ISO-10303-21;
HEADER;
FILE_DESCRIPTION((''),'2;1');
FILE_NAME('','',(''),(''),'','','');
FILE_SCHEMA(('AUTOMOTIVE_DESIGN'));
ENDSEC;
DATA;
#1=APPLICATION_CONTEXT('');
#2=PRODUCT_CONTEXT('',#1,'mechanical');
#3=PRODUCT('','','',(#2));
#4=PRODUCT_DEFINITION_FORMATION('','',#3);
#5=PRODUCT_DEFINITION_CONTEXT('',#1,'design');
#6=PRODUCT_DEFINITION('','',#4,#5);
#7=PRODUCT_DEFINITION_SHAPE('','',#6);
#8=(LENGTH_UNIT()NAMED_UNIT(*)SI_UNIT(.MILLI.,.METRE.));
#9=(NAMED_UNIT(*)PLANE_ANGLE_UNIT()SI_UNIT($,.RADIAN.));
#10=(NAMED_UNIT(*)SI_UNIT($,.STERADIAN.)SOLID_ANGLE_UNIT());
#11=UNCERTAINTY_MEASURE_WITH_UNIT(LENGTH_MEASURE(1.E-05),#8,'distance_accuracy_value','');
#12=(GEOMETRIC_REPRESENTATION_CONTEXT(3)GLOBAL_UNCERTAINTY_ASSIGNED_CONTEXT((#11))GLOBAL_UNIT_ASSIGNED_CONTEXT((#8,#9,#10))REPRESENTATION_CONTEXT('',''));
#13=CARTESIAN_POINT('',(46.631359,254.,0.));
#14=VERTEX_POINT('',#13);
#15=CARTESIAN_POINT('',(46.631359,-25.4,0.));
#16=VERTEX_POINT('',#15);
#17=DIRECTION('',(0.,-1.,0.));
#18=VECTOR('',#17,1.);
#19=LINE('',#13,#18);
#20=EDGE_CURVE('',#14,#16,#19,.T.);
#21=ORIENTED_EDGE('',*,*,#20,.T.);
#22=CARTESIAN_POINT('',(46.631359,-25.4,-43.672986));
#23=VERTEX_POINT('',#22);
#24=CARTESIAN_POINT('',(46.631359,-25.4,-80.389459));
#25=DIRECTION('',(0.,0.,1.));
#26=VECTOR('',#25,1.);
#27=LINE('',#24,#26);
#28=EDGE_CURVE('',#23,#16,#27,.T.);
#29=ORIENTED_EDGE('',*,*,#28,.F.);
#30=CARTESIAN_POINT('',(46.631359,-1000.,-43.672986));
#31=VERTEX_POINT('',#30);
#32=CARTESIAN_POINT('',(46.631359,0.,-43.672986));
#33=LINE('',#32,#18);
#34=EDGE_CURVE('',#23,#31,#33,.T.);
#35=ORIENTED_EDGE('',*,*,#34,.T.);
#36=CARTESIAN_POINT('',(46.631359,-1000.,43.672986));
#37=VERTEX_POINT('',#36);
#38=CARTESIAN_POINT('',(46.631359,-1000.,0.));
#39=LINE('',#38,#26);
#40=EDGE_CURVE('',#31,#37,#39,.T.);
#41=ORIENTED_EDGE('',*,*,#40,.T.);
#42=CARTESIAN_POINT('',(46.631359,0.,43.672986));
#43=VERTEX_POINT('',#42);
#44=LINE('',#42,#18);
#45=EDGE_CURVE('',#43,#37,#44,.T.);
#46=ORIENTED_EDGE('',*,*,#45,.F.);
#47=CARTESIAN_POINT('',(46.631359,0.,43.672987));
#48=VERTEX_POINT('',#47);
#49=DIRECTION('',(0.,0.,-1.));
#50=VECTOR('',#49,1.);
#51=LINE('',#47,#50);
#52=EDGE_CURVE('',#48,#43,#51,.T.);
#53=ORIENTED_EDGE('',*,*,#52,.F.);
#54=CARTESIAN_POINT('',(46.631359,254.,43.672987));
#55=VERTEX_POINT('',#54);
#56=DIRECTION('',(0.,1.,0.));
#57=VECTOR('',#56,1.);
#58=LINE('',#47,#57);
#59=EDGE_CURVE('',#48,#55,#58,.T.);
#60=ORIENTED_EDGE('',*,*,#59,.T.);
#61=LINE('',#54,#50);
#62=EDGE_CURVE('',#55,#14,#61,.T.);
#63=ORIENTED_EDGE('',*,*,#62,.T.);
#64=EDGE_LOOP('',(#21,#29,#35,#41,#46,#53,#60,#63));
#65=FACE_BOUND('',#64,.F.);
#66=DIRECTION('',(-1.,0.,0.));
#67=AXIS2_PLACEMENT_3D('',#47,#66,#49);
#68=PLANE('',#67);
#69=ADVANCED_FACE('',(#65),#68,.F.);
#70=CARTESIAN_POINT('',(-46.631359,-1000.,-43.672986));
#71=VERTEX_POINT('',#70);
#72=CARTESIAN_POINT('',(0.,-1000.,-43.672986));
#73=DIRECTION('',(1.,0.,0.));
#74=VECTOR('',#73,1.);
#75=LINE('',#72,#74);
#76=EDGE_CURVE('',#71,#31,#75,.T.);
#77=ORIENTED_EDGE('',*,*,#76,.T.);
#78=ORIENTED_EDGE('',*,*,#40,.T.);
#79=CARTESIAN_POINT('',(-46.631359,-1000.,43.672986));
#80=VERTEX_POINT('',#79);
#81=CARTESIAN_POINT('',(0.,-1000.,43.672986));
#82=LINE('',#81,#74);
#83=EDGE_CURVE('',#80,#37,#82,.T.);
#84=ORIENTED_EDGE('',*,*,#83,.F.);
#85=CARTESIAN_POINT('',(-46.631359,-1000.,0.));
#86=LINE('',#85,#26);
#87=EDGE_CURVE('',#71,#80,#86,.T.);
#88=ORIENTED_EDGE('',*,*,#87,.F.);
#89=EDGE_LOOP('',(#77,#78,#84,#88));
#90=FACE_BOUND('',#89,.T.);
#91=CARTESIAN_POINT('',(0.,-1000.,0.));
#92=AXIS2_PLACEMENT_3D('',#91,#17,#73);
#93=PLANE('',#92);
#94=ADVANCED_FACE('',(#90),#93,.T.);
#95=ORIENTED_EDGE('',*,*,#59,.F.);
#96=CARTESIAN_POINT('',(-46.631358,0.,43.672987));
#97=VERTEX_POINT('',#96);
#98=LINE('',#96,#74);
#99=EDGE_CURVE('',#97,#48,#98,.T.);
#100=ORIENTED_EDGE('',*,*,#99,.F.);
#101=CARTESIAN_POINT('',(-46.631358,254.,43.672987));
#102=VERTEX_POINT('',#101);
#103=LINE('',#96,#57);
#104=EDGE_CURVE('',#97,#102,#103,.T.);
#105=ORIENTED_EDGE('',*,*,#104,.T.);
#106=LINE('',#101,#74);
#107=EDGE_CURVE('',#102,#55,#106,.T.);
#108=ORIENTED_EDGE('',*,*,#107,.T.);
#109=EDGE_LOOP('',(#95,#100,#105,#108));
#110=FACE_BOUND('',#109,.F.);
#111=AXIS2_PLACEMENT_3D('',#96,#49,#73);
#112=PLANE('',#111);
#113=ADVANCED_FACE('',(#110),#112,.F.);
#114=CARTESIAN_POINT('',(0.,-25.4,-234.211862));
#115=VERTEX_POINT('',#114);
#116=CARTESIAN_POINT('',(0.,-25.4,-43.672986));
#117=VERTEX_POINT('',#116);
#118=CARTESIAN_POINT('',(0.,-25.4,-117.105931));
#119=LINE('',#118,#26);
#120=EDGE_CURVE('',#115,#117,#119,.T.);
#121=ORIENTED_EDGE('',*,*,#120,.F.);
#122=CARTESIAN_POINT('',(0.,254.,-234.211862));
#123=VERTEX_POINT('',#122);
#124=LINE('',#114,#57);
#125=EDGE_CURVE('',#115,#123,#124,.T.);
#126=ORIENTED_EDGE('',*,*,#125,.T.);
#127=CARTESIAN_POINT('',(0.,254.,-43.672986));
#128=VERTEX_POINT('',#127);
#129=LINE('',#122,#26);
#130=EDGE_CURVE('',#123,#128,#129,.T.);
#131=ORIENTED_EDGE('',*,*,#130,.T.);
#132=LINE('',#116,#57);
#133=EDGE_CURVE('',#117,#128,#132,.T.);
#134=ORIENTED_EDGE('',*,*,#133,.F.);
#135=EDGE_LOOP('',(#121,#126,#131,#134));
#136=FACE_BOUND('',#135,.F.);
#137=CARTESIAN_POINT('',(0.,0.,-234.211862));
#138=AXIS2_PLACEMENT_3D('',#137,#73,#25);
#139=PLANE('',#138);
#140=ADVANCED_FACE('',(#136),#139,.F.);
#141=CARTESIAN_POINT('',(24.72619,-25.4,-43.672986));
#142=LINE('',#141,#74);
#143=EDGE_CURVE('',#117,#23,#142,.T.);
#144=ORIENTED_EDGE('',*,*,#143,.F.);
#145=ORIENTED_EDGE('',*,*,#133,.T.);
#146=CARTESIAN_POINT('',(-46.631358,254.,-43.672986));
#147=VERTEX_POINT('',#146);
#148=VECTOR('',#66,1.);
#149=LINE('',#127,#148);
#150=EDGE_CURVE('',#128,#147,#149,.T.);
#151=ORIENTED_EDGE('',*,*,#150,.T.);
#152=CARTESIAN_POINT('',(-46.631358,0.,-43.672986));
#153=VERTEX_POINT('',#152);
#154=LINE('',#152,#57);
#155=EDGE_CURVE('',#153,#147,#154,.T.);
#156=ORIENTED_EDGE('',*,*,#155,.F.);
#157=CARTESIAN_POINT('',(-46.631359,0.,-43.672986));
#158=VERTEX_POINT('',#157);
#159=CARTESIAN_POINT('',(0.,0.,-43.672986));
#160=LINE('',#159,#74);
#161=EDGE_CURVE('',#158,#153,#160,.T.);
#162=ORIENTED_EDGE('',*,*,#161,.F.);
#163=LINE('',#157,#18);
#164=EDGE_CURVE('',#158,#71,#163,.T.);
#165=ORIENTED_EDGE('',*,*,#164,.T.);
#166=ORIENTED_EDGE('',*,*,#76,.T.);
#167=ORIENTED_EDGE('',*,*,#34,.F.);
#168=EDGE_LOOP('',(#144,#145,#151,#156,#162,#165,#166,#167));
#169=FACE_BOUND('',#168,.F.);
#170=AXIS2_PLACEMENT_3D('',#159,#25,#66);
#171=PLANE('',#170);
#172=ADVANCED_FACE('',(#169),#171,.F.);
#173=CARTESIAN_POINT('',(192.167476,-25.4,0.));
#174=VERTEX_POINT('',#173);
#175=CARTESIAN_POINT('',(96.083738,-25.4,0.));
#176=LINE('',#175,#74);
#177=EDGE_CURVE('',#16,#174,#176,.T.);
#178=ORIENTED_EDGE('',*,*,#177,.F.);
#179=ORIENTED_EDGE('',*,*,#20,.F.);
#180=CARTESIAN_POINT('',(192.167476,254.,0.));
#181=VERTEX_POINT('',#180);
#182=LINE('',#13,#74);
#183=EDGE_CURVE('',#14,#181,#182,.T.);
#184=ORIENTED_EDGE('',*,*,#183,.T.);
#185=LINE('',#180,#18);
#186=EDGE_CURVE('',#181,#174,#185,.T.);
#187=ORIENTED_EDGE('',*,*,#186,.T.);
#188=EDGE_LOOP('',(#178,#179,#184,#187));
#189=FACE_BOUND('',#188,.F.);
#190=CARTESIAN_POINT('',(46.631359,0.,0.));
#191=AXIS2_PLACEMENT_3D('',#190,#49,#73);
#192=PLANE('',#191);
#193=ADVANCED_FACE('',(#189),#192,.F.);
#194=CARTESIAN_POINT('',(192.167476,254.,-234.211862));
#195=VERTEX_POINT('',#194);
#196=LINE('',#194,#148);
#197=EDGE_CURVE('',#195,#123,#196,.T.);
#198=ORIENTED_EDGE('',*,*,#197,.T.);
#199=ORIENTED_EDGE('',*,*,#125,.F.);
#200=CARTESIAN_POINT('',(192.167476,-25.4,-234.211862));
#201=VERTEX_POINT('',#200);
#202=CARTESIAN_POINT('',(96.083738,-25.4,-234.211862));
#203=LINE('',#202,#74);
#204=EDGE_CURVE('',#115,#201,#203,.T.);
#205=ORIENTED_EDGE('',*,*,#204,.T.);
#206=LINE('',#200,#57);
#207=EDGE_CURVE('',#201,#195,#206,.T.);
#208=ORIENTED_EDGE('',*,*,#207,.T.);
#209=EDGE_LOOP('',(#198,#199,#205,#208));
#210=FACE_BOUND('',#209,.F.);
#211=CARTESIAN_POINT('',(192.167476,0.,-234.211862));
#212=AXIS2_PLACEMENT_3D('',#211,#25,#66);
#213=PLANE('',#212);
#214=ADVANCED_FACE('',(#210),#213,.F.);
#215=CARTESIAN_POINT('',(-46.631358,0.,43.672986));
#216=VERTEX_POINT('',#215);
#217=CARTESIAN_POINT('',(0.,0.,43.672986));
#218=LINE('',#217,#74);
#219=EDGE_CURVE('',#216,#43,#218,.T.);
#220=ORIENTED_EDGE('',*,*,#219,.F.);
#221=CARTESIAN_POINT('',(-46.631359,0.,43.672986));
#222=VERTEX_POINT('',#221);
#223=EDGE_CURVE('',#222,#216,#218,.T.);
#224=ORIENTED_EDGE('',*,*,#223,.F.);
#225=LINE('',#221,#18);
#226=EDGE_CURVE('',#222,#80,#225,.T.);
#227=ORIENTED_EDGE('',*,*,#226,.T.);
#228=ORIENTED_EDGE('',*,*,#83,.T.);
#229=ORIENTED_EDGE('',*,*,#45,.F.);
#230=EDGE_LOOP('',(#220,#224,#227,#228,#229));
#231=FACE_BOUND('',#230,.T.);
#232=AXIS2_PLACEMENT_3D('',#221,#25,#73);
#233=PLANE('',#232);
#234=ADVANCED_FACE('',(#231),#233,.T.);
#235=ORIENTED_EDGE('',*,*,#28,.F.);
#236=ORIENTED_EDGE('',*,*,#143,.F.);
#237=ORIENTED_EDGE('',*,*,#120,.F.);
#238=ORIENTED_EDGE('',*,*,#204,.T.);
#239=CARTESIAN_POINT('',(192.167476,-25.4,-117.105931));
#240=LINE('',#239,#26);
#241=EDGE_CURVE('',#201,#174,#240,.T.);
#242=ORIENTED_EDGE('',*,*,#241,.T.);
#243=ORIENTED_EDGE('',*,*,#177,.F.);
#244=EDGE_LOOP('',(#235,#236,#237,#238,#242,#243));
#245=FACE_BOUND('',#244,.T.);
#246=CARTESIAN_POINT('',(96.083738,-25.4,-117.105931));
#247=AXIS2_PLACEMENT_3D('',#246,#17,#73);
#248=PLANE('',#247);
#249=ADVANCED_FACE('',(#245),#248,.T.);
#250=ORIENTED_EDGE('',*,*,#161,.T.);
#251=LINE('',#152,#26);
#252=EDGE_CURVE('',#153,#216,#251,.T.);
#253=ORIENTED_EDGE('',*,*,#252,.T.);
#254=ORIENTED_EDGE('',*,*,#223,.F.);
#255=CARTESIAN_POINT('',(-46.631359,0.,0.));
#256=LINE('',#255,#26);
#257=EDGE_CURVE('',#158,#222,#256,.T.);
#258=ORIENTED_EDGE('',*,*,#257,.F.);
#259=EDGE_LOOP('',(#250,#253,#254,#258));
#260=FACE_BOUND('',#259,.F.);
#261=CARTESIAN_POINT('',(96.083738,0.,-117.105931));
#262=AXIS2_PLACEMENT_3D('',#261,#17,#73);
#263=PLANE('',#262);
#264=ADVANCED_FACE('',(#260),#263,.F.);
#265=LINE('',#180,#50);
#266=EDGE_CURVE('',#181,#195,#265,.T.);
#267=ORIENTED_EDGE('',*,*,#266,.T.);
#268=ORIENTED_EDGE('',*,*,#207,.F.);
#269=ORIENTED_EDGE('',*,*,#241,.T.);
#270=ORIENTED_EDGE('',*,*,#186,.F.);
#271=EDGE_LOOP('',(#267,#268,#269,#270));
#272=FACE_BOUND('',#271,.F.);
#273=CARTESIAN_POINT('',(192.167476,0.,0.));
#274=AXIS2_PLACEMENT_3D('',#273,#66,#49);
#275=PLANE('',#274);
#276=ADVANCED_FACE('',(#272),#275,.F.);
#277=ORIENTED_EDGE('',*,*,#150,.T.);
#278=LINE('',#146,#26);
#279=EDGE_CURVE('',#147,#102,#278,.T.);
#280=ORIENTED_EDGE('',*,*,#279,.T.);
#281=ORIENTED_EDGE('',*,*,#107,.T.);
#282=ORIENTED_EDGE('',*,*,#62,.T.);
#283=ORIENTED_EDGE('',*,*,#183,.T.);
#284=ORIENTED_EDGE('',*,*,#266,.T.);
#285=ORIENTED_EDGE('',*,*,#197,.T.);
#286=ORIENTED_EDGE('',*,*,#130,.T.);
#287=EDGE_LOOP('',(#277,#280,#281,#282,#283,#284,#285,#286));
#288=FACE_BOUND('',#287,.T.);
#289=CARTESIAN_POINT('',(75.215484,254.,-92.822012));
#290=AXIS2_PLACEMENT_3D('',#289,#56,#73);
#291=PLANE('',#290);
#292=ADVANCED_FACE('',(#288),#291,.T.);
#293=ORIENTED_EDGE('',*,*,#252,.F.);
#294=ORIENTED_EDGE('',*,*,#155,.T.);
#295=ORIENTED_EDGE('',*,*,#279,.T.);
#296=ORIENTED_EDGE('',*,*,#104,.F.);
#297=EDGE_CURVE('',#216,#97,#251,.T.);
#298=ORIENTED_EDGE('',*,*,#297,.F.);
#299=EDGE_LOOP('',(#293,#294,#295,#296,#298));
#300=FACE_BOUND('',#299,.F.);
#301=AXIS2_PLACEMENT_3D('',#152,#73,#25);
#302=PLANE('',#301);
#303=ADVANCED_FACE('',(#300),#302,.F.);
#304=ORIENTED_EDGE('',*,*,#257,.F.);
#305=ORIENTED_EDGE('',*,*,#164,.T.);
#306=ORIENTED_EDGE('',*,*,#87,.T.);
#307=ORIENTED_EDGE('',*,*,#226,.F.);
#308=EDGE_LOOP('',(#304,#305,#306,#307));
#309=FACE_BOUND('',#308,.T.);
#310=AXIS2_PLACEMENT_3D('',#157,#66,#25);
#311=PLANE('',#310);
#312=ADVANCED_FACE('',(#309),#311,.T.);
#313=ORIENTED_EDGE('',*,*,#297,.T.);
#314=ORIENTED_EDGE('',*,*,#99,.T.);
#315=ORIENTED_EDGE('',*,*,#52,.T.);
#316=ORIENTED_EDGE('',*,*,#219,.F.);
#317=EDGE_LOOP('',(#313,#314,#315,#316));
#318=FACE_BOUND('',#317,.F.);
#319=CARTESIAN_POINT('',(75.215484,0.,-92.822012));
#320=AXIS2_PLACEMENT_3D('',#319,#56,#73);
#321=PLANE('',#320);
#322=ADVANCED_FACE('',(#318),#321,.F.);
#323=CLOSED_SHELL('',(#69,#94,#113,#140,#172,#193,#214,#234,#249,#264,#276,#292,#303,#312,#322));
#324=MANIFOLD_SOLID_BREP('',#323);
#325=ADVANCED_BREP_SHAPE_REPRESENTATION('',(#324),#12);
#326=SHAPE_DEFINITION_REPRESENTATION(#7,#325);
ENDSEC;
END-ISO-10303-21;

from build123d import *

# Parameters (mm, degrees)
F0_W     = 93.262718
F0_H     = 87.345972
F1_DEPTH = 1000
F2_W     = 192.167476
F2_H     = 234.211862
F3_DEPTH = 25.4
F4_DEPTH = 254


with BuildPart() as f1:
    # F0 (on Front) → F1 (new body)
    with BuildSketch(Plane.XZ):
        Rectangle(F0_W, F0_H)
    extrude(amount=F1_DEPTH)

    # F2 (on Front) → F3 (join)
    with BuildSketch(Plane.XZ):
        with Locations((96.083738, -117.105931)):
            Rectangle(F2_W, F2_H)
    extrude(amount=F3_DEPTH)

    # F3_face (on face) → F4 (join)
    with BuildSketch(Plane(origin=(83.670854, 0, -102.239393), x_dir=(1, 0, 0), z_dir=(0, 1, 0))):
        Polygon((108.496622, -102.239393), (108.496622, 131.972469), (-83.670854, 131.972469), (-83.670854, -58.566407), (-130.302212, -58.566407), (-130.302212, -145.91238), (-37.039495, -145.91238), (-37.039495, -102.239393), align=None)
    extrude(amount=F4_DEPTH)


solid = f1.part
